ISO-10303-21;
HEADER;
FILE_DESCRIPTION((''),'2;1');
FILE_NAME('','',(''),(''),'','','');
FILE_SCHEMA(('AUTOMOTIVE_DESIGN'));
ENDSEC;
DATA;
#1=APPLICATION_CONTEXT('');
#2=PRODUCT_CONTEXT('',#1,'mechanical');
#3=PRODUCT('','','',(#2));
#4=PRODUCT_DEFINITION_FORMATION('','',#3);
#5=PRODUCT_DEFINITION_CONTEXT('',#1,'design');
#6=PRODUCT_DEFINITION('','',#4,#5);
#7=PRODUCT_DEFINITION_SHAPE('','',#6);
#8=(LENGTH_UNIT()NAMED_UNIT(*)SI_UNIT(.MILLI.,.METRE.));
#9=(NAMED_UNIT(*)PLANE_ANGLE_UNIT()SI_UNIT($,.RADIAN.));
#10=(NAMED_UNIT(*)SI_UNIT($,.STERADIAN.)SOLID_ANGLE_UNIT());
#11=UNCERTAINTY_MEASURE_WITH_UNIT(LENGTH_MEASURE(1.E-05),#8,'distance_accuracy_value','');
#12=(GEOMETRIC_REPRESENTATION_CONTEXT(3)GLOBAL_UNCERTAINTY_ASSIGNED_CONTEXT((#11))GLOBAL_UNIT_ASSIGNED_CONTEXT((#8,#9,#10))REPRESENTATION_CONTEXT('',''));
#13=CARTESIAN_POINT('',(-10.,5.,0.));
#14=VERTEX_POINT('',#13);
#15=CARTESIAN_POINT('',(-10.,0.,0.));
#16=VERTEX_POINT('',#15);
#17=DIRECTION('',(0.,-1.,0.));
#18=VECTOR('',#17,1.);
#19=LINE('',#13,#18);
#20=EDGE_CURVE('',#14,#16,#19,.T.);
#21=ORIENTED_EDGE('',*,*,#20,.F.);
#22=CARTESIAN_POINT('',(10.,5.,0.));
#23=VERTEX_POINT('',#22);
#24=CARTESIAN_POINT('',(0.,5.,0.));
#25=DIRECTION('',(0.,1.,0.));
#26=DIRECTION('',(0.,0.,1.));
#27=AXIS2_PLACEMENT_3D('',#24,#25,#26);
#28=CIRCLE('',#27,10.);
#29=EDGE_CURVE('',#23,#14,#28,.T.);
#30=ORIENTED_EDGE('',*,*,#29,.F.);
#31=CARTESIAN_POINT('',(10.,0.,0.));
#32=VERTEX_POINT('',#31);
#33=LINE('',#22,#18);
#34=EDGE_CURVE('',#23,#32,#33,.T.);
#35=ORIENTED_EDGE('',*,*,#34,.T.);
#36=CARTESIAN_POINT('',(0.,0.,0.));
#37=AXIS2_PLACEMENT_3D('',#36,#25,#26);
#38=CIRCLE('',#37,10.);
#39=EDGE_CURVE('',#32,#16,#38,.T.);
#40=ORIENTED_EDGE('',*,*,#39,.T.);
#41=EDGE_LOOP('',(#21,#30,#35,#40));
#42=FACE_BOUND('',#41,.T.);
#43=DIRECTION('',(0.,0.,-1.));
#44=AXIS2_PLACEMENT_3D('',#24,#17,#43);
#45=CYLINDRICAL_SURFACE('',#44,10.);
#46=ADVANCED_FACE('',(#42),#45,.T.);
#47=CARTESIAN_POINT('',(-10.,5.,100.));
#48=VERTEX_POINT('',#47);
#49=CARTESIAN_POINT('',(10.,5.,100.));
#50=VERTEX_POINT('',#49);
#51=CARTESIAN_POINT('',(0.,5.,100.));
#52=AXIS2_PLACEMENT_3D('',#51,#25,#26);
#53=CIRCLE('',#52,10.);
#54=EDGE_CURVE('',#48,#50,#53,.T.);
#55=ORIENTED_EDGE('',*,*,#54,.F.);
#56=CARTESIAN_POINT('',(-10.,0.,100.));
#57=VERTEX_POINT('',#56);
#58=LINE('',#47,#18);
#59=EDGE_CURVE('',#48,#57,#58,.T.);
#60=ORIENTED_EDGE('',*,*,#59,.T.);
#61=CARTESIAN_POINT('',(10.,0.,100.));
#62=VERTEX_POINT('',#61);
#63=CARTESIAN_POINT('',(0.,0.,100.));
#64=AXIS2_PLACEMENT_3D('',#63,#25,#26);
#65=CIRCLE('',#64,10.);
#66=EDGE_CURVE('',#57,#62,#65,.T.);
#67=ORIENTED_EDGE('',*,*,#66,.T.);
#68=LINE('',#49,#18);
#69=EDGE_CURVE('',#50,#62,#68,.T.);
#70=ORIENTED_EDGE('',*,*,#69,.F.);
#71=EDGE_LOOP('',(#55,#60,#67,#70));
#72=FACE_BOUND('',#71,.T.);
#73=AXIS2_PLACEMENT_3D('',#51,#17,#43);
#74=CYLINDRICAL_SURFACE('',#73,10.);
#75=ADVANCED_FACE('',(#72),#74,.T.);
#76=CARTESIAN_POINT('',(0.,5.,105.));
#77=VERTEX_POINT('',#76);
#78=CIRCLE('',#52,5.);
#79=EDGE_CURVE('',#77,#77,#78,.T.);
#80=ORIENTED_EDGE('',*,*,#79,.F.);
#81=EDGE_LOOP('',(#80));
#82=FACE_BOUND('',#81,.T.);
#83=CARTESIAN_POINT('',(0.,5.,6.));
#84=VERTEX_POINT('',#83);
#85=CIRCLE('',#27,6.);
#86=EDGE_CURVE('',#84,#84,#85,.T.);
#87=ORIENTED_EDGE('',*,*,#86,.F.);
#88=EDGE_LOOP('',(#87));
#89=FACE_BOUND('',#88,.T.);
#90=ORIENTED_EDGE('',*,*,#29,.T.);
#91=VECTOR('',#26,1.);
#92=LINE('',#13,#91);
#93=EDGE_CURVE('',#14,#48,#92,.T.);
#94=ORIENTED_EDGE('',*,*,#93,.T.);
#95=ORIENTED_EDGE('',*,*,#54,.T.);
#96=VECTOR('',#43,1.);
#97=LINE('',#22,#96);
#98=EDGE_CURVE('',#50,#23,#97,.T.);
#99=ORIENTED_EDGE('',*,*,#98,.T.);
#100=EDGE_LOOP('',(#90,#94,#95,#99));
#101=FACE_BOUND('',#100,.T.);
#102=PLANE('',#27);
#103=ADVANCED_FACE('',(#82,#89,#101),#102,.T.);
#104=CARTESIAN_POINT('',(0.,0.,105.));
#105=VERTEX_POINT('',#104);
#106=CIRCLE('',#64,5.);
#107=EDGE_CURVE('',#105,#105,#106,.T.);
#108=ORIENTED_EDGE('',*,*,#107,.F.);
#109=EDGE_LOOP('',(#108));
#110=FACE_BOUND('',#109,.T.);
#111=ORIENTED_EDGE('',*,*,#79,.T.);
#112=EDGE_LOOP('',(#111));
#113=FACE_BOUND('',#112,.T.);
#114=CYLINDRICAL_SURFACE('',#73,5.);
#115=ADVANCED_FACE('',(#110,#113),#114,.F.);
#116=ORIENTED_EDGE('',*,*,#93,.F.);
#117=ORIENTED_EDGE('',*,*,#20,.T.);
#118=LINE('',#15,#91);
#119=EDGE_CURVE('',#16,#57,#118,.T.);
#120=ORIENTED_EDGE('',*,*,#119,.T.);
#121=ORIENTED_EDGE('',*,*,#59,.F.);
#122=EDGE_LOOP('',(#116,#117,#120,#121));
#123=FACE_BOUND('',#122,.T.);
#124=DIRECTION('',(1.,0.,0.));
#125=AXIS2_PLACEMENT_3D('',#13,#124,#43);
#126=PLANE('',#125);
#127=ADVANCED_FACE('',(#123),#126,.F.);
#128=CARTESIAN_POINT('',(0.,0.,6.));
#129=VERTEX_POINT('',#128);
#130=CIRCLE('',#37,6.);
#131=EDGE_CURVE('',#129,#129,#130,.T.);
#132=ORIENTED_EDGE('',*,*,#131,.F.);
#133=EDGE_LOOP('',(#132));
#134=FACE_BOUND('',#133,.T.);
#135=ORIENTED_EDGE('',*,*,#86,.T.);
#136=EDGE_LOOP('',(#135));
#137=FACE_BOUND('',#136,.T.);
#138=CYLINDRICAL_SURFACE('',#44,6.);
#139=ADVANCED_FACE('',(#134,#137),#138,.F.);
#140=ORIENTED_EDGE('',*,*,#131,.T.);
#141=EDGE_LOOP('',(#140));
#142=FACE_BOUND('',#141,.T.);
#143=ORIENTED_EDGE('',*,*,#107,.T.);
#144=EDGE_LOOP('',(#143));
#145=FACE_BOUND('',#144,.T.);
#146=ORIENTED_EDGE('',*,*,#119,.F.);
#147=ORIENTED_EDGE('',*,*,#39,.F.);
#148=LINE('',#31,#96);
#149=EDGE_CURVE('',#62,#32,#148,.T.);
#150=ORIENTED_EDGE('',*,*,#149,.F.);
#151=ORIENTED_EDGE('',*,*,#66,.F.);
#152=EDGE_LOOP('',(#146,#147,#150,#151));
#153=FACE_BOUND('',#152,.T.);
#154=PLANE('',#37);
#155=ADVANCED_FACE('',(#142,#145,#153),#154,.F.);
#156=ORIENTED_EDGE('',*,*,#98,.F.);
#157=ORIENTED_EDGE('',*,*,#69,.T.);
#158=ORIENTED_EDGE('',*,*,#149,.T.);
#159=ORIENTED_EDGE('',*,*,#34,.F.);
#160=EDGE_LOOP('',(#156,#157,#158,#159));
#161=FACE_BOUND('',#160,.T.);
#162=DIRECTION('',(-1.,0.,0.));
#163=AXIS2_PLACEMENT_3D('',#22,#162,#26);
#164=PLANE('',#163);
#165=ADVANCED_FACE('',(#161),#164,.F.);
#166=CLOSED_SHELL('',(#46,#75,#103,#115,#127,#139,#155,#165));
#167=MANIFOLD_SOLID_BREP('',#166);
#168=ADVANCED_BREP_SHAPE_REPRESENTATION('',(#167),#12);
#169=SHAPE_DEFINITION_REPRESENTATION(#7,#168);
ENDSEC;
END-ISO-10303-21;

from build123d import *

# Parameters (mm, degrees)
SKETCH1_R           = 6
SKETCH1_R_2         = 5
BOSS_EXTRUDE1_DEPTH = 5


with BuildPart() as part:
    # Sketch1 → Boss-Extrude1 (new body)
    with BuildSketch(Plane(origin=(0, 0, 0), x_dir=(1, 0, 0), z_dir=(0, 1, 0))):
        with BuildLine():
            Line((10, 0), (10, -100))
            ThreePointArc((10, -100), (0, -110), (-10, -100))
            Line((-10, -100), (-10, 0))
            ThreePointArc((-10, 0), (0, 10), (10, 0))
        make_face()
        Circle(SKETCH1_R, mode=Mode.SUBTRACT)
        with Locations((0, -100)):
            Circle(SKETCH1_R_2, mode=Mode.SUBTRACT)
    extrude(amount=BOSS_EXTRUDE1_DEPTH)


solid = part.part
